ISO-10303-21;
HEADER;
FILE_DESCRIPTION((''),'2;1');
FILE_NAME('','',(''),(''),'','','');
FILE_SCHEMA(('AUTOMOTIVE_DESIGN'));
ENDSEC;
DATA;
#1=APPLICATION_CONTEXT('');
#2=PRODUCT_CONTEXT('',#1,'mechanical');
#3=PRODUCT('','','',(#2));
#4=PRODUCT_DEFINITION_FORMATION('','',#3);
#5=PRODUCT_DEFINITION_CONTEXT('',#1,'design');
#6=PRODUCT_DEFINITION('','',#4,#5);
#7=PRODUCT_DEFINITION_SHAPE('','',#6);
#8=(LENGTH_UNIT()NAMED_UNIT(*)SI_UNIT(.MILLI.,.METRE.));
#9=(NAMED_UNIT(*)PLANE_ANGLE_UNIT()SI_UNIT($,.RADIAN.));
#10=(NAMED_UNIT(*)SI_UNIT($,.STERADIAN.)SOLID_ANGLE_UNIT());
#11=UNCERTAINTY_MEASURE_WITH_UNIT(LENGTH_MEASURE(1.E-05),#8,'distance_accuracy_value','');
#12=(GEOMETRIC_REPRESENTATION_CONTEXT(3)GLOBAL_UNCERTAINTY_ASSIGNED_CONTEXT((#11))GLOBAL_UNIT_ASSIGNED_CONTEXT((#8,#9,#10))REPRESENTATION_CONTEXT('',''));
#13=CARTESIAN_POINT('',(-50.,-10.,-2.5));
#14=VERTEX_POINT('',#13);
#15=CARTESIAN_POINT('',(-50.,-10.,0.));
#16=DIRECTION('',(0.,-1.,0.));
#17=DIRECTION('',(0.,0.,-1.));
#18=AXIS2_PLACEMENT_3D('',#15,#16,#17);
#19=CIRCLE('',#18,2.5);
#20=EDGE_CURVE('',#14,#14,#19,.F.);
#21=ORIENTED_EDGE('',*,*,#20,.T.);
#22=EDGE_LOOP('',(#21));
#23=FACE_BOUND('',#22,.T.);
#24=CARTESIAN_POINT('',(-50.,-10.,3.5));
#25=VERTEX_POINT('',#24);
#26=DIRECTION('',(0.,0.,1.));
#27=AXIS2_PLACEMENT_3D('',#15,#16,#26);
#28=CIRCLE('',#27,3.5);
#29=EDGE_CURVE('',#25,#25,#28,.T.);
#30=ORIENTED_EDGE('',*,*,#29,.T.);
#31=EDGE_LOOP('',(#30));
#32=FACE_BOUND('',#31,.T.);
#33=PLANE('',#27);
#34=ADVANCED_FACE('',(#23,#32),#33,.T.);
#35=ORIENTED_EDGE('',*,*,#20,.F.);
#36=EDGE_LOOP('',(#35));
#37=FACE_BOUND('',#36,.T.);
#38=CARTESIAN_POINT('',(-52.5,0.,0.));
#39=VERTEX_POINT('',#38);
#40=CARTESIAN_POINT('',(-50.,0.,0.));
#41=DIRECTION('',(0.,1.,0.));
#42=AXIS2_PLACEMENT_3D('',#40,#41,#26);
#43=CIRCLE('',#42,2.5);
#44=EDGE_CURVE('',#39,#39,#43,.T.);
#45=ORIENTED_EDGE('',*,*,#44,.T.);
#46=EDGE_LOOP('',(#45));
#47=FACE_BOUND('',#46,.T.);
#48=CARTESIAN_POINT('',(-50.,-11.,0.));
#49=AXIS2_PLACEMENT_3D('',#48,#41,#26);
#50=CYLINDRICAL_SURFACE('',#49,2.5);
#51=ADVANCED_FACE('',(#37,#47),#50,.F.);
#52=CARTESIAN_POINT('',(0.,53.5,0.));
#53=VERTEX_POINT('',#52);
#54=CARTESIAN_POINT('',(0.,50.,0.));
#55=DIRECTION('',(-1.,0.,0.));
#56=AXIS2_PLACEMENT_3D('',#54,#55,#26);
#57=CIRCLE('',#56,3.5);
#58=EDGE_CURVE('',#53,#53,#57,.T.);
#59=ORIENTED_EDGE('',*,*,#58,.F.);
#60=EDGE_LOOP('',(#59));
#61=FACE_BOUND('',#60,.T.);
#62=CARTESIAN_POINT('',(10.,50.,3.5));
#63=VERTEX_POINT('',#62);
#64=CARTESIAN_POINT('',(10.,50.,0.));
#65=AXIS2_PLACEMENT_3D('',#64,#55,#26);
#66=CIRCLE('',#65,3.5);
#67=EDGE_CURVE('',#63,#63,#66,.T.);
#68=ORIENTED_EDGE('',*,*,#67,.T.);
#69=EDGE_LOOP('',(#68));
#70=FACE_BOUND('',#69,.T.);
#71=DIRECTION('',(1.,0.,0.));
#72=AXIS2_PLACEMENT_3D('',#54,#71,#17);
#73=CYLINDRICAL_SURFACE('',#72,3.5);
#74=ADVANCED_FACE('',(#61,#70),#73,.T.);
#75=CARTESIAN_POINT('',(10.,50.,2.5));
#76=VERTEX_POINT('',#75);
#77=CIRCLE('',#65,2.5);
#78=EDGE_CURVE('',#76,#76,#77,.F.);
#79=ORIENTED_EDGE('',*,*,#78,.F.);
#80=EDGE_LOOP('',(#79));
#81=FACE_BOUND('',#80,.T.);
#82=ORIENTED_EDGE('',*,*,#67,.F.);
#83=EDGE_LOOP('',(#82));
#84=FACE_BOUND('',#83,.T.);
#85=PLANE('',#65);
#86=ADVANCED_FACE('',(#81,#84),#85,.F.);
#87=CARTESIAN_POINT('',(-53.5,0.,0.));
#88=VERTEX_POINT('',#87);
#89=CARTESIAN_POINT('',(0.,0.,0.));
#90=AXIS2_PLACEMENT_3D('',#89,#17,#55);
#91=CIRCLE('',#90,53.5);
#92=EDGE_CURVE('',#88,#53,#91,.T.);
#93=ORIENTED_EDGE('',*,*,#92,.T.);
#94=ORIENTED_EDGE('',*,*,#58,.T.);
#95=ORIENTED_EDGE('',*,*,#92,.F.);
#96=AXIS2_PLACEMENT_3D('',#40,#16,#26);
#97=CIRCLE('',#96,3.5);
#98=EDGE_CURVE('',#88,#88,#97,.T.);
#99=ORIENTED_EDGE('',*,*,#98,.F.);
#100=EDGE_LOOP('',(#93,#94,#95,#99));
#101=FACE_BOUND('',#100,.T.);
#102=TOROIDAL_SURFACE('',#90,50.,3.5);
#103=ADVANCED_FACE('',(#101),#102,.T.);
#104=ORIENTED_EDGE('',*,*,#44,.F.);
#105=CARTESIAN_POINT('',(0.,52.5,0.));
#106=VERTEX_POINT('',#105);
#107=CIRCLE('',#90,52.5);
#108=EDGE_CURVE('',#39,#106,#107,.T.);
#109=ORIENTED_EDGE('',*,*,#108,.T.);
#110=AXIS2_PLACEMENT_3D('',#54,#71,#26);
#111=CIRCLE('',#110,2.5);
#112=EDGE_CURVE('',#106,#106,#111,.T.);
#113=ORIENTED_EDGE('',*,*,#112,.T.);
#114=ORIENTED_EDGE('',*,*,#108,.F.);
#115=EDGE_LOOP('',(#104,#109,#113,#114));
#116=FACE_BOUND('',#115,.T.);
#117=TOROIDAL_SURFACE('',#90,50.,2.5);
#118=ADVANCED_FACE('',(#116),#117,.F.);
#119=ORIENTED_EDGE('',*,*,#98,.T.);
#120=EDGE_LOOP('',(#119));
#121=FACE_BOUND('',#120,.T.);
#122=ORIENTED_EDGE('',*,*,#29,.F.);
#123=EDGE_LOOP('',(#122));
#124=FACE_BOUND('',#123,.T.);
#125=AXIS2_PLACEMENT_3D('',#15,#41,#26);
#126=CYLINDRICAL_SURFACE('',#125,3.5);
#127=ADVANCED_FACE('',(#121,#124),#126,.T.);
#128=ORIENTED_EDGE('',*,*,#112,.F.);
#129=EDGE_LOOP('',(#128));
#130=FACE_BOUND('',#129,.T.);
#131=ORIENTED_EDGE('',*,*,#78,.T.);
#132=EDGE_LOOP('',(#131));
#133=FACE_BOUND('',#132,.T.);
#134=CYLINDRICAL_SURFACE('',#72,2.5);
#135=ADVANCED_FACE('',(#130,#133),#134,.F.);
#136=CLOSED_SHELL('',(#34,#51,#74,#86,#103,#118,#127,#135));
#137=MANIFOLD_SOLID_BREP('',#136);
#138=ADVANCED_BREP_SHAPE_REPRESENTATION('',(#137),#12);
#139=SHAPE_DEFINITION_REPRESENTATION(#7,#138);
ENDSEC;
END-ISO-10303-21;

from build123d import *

# Parameters (mm, degrees)
SWEEP1_PROFILE_R     = 3.5
CUT_SWEEP1_PROFILE_R = 2.5


with BuildPart() as part:
    # Sweep1: sweep along a path in Sketch1
    with BuildLine(Plane.XY) as sweep1_path:
        Line((10, 50), (0, 50))
        ThreePointArc((0, 50), (-35.355339059, 35.355339059), (-50, 0))
        Line((-50, 0), (-50, -10))
    # Sweep1 profile (on start of the path) → Sweep1 (sweep)
    with BuildSketch(Plane(origin=(10, 50, 0), x_dir=(0, 0, -1), z_dir=(-1, 0, 0))):
        Circle(SWEEP1_PROFILE_R)
    sweep(path=sweep1_path.line)

    # Cut-Sweep1: sweep along a path in Sketch1<2>
    with BuildLine(Plane.XY) as cut_sweep1_path:
        Line((10, 50), (0, 50))
        ThreePointArc((0, 50), (-35.355339059, 35.355339059), (-50, 0))
        Line((-50, 0), (-50, -10))
    # Cut-Sweep1 profile (on start of the path) → Cut-Sweep1 (sweep, cut)
    with BuildSketch(Plane(origin=(10, 50, 0), x_dir=(0, 0, -1), z_dir=(-1, 0, 0))):
        Circle(CUT_SWEEP1_PROFILE_R)
    sweep(path=cut_sweep1_path.line, mode=Mode.SUBTRACT)


solid = part.part
